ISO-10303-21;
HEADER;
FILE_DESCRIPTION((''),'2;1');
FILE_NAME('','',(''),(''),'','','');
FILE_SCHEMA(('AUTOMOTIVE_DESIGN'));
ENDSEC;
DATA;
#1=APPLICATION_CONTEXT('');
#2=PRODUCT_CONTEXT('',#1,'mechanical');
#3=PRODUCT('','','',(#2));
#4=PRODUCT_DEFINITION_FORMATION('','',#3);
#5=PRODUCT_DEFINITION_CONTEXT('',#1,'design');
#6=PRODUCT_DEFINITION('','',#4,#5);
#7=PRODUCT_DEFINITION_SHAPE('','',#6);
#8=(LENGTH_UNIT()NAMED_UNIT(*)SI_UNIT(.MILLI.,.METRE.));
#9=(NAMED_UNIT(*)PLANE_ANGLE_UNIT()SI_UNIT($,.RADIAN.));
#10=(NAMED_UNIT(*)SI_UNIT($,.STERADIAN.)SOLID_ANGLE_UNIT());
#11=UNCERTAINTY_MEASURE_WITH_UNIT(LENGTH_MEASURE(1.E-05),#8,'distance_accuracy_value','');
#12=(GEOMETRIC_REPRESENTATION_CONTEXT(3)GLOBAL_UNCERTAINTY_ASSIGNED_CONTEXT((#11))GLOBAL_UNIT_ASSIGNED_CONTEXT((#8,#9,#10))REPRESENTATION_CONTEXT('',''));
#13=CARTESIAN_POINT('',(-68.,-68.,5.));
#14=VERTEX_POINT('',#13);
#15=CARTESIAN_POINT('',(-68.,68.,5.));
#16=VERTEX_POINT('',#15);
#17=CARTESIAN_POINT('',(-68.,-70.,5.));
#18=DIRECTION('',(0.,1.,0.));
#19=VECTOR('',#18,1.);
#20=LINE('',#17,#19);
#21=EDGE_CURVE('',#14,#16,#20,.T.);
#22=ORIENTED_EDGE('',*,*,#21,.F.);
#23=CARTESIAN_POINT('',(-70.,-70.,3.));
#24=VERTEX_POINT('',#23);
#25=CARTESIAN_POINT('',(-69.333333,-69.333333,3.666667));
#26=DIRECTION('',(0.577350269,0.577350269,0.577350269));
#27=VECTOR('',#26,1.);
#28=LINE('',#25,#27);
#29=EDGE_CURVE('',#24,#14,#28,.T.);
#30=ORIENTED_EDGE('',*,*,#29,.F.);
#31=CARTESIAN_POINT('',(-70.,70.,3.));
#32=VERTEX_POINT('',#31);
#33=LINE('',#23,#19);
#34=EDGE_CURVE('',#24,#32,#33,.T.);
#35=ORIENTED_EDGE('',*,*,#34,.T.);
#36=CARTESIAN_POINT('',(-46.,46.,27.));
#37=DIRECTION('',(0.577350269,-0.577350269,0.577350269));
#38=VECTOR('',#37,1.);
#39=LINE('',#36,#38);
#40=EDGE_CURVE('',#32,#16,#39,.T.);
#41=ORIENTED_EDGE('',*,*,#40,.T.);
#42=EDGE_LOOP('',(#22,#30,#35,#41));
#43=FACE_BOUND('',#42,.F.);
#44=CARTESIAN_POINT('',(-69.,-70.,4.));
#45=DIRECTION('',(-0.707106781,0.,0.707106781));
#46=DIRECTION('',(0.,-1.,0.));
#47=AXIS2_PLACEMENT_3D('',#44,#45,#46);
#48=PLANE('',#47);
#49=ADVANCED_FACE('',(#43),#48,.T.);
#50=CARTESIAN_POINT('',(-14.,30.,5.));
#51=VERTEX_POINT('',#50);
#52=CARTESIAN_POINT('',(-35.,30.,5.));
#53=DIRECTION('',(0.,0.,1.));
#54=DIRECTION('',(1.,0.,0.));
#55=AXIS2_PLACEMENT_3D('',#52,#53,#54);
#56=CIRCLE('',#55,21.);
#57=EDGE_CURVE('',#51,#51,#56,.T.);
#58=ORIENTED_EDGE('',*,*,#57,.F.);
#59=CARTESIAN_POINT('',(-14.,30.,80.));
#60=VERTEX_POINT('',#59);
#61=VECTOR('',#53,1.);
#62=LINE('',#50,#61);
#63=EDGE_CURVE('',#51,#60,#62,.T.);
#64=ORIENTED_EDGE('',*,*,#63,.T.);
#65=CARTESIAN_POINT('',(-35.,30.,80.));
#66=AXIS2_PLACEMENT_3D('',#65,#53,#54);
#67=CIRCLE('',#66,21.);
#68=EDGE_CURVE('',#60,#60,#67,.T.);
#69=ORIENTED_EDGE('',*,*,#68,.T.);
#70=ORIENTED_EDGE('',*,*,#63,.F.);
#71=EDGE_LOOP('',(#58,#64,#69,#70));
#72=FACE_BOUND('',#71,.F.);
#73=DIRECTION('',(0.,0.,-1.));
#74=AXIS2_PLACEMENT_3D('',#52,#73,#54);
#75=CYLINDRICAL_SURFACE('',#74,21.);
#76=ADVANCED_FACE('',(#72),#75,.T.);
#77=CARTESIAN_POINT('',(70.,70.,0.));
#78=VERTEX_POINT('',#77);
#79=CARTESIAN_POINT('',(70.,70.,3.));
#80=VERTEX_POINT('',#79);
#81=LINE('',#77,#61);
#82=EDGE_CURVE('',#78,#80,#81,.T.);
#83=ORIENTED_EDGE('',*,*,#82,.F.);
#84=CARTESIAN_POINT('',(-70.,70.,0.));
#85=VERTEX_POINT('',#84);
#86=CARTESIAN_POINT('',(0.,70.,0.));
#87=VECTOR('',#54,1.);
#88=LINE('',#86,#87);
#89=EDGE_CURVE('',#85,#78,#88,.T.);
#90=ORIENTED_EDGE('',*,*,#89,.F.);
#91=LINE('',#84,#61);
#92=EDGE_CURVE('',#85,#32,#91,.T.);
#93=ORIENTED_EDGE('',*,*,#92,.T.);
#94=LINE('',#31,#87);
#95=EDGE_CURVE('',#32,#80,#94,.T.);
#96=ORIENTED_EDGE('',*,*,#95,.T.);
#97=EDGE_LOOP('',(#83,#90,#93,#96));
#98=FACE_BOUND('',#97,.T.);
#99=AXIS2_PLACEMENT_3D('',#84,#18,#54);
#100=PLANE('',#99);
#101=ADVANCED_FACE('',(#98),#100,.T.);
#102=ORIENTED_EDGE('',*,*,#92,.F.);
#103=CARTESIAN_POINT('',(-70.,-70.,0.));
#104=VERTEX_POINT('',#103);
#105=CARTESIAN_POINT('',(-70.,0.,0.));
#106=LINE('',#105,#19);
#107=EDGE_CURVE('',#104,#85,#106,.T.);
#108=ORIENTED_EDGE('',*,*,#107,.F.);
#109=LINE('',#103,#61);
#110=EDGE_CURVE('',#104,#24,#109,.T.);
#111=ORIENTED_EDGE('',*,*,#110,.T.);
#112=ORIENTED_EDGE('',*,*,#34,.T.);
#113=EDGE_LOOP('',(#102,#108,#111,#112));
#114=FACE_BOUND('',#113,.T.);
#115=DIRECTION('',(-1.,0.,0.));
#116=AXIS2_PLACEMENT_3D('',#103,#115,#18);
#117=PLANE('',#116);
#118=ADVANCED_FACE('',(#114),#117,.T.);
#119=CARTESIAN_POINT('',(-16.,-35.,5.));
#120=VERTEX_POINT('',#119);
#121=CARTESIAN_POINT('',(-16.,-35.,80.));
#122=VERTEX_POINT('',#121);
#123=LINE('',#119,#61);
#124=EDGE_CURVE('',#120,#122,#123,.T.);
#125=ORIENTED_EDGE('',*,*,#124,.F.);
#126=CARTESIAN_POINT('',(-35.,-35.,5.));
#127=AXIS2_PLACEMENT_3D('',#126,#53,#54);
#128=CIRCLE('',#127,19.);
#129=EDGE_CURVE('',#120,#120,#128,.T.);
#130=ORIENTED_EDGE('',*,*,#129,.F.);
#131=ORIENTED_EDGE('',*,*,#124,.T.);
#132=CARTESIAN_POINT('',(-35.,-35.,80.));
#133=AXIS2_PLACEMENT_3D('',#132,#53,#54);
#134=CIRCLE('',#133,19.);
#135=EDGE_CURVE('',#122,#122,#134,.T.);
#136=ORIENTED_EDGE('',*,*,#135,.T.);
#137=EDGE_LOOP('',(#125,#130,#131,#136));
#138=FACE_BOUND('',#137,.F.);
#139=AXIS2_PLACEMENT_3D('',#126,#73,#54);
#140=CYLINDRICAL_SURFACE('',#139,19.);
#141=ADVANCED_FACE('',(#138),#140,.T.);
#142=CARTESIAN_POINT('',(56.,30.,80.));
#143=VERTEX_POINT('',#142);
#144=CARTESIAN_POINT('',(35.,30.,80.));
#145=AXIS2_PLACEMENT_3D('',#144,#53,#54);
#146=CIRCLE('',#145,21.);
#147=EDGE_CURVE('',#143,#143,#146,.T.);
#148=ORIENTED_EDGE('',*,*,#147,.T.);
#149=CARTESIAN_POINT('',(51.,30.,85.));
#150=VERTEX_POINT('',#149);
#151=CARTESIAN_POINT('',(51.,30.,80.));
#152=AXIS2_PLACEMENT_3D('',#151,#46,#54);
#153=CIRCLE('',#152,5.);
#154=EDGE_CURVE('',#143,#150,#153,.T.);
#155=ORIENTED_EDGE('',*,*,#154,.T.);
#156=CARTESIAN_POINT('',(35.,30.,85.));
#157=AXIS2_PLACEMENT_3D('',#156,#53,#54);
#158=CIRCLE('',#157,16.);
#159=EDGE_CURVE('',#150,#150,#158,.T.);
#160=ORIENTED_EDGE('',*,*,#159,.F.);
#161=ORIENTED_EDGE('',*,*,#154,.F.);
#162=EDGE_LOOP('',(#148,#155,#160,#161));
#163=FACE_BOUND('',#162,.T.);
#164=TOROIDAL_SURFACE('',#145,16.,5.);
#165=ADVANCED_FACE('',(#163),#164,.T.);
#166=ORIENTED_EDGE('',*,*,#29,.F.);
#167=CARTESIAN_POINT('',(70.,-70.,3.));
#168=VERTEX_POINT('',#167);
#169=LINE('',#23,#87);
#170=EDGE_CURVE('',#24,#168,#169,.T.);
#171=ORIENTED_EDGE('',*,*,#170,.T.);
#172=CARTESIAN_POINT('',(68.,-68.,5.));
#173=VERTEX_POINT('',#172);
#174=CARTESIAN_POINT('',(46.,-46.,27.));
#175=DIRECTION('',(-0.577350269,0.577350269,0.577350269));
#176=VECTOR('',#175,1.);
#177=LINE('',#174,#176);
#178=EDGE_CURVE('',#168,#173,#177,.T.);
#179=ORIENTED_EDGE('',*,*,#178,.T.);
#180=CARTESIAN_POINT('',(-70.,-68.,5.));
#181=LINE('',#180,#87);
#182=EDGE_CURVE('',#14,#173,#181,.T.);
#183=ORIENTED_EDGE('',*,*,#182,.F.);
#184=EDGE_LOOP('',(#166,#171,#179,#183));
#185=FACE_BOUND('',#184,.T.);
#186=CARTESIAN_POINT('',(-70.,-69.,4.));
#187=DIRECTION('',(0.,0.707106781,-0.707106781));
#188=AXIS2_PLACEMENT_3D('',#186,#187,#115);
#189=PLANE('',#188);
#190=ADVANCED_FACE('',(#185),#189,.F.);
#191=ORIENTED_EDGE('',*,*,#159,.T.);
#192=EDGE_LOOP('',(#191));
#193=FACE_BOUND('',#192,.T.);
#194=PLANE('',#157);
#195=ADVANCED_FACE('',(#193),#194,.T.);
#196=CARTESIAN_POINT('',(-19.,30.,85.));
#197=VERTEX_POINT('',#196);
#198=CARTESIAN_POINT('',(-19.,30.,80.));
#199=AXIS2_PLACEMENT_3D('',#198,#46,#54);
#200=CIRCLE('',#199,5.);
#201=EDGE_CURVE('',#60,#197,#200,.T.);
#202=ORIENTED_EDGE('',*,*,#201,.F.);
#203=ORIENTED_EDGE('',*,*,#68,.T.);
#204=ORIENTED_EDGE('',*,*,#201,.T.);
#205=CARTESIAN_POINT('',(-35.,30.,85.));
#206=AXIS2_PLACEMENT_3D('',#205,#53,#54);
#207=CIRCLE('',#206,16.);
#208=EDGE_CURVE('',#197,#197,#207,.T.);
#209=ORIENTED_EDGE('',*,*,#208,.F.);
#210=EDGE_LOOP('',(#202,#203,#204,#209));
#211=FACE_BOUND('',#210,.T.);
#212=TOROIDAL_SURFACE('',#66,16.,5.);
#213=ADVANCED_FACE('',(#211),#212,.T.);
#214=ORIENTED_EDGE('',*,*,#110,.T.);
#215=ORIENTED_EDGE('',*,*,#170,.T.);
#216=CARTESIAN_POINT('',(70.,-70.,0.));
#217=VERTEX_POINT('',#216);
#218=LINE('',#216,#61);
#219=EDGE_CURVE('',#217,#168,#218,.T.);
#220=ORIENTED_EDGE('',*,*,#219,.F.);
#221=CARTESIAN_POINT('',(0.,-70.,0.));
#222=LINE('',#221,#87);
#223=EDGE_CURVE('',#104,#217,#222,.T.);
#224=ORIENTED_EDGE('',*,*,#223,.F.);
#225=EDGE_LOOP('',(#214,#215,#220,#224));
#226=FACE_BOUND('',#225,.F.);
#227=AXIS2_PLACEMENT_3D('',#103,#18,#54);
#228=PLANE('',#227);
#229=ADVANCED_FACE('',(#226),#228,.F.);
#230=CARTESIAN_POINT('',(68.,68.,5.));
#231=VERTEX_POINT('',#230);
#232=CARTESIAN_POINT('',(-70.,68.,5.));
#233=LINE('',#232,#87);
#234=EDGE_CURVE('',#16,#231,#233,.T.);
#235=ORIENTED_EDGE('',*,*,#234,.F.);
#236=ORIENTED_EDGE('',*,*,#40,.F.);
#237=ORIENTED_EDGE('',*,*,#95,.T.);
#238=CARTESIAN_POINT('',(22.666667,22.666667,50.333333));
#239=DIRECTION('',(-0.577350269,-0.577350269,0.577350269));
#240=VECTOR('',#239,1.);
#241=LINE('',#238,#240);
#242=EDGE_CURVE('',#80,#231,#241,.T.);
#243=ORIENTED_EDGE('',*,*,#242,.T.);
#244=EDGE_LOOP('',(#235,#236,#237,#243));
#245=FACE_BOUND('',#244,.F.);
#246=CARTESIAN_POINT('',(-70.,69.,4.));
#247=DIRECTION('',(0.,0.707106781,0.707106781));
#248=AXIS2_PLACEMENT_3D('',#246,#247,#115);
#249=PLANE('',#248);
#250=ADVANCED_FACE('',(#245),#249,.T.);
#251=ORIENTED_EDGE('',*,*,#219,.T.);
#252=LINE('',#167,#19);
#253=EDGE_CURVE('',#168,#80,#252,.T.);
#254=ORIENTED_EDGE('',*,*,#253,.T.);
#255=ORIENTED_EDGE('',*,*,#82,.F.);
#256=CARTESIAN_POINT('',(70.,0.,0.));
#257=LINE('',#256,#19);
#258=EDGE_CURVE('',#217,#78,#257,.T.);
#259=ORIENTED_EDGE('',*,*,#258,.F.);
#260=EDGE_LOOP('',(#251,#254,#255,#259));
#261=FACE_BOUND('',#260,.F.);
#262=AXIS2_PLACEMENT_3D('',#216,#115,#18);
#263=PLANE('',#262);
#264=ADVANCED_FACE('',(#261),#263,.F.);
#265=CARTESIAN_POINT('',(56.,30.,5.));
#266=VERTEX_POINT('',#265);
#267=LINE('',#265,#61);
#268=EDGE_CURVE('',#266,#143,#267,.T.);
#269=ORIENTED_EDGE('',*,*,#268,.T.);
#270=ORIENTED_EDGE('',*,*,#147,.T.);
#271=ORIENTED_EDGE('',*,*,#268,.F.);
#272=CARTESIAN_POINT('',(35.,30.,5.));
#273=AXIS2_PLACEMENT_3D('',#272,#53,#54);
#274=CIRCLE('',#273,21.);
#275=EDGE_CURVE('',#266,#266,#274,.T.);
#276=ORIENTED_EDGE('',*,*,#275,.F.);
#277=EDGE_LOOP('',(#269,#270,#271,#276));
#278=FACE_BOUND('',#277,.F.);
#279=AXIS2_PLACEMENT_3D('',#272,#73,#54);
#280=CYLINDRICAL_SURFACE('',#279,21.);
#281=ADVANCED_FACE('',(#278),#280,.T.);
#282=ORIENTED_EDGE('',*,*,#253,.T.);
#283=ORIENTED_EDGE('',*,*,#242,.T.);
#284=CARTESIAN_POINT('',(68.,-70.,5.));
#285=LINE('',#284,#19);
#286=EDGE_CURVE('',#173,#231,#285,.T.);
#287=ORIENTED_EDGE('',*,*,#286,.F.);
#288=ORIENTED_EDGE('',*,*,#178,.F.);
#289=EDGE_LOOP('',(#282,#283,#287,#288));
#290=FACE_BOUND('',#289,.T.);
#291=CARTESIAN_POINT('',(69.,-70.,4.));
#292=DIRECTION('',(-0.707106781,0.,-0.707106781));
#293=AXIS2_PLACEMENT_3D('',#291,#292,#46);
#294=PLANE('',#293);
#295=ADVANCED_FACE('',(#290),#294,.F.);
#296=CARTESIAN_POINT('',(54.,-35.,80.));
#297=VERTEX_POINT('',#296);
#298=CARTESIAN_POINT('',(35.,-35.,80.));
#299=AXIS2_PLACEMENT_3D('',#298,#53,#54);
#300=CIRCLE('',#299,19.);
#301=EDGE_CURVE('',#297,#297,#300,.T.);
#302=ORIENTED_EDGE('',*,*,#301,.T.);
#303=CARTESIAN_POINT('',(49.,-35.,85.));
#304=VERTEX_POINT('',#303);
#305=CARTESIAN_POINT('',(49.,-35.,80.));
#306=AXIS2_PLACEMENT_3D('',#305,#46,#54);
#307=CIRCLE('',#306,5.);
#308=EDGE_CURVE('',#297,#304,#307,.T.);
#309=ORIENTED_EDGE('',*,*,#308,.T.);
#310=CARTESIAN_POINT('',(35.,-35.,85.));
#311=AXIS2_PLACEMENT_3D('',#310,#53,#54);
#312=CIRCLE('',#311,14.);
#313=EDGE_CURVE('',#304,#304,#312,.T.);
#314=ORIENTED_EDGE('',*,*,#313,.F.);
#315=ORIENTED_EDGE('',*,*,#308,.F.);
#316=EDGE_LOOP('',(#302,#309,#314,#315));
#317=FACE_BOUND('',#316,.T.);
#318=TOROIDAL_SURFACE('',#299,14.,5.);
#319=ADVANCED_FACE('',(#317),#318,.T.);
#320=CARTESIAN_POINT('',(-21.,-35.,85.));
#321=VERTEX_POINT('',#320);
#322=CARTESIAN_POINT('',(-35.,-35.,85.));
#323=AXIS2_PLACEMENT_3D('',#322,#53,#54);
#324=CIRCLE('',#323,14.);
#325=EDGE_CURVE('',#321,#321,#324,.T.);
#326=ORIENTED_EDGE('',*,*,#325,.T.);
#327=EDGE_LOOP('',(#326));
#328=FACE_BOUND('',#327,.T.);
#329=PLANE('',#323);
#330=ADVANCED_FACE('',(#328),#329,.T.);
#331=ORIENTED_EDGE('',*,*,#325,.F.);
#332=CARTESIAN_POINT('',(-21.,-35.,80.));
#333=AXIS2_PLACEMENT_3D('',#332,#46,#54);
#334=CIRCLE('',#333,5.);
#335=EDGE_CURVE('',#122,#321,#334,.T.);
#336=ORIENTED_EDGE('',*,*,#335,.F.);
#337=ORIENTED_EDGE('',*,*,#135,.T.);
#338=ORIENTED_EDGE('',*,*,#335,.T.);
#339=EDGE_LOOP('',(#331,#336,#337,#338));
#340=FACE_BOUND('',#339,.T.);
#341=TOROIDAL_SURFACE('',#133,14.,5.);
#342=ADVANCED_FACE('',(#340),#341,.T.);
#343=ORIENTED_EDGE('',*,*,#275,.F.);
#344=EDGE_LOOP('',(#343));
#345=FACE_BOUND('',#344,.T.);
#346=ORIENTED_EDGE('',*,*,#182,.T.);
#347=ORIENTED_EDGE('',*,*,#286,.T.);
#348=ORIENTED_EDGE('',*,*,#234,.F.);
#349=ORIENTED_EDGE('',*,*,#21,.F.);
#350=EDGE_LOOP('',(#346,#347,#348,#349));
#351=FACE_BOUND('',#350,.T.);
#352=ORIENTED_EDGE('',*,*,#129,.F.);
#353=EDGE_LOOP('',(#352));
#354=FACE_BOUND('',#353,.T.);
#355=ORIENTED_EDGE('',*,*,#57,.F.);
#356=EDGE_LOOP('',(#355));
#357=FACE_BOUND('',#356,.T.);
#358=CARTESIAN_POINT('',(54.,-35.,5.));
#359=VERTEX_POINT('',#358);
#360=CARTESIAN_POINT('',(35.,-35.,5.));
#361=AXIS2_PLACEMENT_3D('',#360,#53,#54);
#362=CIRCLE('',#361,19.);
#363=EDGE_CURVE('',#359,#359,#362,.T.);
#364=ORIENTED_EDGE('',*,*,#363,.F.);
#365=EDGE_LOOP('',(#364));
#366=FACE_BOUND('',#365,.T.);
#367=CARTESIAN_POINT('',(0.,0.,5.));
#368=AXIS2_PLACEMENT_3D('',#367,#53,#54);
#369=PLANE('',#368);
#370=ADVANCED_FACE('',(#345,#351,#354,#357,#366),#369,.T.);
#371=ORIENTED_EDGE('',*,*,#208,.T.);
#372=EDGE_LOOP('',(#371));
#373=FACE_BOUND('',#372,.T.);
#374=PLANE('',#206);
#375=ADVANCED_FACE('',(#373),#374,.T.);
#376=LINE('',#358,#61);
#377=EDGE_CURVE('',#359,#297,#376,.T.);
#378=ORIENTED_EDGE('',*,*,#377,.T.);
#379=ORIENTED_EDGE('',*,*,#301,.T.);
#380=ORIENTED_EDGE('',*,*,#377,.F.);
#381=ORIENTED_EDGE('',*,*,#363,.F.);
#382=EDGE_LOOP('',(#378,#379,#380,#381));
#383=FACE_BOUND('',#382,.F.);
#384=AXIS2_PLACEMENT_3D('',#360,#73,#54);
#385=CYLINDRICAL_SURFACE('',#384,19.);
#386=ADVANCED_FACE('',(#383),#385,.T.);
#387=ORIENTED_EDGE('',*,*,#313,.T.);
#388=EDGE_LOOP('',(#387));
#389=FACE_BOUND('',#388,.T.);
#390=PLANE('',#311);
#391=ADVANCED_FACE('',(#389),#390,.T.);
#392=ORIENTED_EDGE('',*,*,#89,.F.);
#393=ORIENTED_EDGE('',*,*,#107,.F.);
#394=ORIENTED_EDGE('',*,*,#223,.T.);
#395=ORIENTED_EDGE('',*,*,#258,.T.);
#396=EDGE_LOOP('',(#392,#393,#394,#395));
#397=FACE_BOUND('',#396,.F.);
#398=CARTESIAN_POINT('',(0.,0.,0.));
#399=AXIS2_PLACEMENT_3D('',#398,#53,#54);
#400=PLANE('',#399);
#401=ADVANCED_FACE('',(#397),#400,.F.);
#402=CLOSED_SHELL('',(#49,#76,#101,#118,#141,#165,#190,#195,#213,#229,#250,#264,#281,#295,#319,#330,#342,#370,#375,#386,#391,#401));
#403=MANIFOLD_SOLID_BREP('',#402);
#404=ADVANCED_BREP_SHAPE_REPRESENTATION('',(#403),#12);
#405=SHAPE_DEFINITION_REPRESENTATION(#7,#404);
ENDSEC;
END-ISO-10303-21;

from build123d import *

# Parameters (mm, degrees)
F0_W     = 140
F0_H     = 140
F1_DEPTH = 5
F2_SIZE  = 2
F3_R     = 21
F3_R_2   = 19
F4_DEPTH = 80
F5_R     = 5


with BuildPart() as f1:
    # F0 (on Top) → F1 (new body)
    with BuildSketch(Plane.XY):
        Rectangle(F0_W, F0_H)
    extrude(amount=F1_DEPTH)

    # F2
    f2_edges = [f1.edges().sort_by_distance(p)[0] for p in [
        (0, -70, 5),
        (0, 70, 5),
        (-70, 0, 5),
        (70, 0, 5),
    ]]
    chamfer(f2_edges, length=F2_SIZE)

    # F3 (on face) → F4 (join)
    with BuildSketch(Plane.XY.offset(5)):
        with Locations((-35, 30)):
            Circle(F3_R)
        with Locations((35, 30)):
            Circle(F3_R)
        with Locations((-35, -35)):
            Circle(F3_R_2)
        with Locations((35, -35)):
            Circle(F3_R_2)
    extrude(amount=F4_DEPTH)

    # F5
    f5_edges = [f1.edges().sort_by_distance(p)[0] for p in [
        (-56, 30, 85),
        (14, 30, 85),
        (-54, -35, 85),
        (16, -35, 85),
    ]]
    fillet(f5_edges, radius=F5_R)


solid = f1.part
